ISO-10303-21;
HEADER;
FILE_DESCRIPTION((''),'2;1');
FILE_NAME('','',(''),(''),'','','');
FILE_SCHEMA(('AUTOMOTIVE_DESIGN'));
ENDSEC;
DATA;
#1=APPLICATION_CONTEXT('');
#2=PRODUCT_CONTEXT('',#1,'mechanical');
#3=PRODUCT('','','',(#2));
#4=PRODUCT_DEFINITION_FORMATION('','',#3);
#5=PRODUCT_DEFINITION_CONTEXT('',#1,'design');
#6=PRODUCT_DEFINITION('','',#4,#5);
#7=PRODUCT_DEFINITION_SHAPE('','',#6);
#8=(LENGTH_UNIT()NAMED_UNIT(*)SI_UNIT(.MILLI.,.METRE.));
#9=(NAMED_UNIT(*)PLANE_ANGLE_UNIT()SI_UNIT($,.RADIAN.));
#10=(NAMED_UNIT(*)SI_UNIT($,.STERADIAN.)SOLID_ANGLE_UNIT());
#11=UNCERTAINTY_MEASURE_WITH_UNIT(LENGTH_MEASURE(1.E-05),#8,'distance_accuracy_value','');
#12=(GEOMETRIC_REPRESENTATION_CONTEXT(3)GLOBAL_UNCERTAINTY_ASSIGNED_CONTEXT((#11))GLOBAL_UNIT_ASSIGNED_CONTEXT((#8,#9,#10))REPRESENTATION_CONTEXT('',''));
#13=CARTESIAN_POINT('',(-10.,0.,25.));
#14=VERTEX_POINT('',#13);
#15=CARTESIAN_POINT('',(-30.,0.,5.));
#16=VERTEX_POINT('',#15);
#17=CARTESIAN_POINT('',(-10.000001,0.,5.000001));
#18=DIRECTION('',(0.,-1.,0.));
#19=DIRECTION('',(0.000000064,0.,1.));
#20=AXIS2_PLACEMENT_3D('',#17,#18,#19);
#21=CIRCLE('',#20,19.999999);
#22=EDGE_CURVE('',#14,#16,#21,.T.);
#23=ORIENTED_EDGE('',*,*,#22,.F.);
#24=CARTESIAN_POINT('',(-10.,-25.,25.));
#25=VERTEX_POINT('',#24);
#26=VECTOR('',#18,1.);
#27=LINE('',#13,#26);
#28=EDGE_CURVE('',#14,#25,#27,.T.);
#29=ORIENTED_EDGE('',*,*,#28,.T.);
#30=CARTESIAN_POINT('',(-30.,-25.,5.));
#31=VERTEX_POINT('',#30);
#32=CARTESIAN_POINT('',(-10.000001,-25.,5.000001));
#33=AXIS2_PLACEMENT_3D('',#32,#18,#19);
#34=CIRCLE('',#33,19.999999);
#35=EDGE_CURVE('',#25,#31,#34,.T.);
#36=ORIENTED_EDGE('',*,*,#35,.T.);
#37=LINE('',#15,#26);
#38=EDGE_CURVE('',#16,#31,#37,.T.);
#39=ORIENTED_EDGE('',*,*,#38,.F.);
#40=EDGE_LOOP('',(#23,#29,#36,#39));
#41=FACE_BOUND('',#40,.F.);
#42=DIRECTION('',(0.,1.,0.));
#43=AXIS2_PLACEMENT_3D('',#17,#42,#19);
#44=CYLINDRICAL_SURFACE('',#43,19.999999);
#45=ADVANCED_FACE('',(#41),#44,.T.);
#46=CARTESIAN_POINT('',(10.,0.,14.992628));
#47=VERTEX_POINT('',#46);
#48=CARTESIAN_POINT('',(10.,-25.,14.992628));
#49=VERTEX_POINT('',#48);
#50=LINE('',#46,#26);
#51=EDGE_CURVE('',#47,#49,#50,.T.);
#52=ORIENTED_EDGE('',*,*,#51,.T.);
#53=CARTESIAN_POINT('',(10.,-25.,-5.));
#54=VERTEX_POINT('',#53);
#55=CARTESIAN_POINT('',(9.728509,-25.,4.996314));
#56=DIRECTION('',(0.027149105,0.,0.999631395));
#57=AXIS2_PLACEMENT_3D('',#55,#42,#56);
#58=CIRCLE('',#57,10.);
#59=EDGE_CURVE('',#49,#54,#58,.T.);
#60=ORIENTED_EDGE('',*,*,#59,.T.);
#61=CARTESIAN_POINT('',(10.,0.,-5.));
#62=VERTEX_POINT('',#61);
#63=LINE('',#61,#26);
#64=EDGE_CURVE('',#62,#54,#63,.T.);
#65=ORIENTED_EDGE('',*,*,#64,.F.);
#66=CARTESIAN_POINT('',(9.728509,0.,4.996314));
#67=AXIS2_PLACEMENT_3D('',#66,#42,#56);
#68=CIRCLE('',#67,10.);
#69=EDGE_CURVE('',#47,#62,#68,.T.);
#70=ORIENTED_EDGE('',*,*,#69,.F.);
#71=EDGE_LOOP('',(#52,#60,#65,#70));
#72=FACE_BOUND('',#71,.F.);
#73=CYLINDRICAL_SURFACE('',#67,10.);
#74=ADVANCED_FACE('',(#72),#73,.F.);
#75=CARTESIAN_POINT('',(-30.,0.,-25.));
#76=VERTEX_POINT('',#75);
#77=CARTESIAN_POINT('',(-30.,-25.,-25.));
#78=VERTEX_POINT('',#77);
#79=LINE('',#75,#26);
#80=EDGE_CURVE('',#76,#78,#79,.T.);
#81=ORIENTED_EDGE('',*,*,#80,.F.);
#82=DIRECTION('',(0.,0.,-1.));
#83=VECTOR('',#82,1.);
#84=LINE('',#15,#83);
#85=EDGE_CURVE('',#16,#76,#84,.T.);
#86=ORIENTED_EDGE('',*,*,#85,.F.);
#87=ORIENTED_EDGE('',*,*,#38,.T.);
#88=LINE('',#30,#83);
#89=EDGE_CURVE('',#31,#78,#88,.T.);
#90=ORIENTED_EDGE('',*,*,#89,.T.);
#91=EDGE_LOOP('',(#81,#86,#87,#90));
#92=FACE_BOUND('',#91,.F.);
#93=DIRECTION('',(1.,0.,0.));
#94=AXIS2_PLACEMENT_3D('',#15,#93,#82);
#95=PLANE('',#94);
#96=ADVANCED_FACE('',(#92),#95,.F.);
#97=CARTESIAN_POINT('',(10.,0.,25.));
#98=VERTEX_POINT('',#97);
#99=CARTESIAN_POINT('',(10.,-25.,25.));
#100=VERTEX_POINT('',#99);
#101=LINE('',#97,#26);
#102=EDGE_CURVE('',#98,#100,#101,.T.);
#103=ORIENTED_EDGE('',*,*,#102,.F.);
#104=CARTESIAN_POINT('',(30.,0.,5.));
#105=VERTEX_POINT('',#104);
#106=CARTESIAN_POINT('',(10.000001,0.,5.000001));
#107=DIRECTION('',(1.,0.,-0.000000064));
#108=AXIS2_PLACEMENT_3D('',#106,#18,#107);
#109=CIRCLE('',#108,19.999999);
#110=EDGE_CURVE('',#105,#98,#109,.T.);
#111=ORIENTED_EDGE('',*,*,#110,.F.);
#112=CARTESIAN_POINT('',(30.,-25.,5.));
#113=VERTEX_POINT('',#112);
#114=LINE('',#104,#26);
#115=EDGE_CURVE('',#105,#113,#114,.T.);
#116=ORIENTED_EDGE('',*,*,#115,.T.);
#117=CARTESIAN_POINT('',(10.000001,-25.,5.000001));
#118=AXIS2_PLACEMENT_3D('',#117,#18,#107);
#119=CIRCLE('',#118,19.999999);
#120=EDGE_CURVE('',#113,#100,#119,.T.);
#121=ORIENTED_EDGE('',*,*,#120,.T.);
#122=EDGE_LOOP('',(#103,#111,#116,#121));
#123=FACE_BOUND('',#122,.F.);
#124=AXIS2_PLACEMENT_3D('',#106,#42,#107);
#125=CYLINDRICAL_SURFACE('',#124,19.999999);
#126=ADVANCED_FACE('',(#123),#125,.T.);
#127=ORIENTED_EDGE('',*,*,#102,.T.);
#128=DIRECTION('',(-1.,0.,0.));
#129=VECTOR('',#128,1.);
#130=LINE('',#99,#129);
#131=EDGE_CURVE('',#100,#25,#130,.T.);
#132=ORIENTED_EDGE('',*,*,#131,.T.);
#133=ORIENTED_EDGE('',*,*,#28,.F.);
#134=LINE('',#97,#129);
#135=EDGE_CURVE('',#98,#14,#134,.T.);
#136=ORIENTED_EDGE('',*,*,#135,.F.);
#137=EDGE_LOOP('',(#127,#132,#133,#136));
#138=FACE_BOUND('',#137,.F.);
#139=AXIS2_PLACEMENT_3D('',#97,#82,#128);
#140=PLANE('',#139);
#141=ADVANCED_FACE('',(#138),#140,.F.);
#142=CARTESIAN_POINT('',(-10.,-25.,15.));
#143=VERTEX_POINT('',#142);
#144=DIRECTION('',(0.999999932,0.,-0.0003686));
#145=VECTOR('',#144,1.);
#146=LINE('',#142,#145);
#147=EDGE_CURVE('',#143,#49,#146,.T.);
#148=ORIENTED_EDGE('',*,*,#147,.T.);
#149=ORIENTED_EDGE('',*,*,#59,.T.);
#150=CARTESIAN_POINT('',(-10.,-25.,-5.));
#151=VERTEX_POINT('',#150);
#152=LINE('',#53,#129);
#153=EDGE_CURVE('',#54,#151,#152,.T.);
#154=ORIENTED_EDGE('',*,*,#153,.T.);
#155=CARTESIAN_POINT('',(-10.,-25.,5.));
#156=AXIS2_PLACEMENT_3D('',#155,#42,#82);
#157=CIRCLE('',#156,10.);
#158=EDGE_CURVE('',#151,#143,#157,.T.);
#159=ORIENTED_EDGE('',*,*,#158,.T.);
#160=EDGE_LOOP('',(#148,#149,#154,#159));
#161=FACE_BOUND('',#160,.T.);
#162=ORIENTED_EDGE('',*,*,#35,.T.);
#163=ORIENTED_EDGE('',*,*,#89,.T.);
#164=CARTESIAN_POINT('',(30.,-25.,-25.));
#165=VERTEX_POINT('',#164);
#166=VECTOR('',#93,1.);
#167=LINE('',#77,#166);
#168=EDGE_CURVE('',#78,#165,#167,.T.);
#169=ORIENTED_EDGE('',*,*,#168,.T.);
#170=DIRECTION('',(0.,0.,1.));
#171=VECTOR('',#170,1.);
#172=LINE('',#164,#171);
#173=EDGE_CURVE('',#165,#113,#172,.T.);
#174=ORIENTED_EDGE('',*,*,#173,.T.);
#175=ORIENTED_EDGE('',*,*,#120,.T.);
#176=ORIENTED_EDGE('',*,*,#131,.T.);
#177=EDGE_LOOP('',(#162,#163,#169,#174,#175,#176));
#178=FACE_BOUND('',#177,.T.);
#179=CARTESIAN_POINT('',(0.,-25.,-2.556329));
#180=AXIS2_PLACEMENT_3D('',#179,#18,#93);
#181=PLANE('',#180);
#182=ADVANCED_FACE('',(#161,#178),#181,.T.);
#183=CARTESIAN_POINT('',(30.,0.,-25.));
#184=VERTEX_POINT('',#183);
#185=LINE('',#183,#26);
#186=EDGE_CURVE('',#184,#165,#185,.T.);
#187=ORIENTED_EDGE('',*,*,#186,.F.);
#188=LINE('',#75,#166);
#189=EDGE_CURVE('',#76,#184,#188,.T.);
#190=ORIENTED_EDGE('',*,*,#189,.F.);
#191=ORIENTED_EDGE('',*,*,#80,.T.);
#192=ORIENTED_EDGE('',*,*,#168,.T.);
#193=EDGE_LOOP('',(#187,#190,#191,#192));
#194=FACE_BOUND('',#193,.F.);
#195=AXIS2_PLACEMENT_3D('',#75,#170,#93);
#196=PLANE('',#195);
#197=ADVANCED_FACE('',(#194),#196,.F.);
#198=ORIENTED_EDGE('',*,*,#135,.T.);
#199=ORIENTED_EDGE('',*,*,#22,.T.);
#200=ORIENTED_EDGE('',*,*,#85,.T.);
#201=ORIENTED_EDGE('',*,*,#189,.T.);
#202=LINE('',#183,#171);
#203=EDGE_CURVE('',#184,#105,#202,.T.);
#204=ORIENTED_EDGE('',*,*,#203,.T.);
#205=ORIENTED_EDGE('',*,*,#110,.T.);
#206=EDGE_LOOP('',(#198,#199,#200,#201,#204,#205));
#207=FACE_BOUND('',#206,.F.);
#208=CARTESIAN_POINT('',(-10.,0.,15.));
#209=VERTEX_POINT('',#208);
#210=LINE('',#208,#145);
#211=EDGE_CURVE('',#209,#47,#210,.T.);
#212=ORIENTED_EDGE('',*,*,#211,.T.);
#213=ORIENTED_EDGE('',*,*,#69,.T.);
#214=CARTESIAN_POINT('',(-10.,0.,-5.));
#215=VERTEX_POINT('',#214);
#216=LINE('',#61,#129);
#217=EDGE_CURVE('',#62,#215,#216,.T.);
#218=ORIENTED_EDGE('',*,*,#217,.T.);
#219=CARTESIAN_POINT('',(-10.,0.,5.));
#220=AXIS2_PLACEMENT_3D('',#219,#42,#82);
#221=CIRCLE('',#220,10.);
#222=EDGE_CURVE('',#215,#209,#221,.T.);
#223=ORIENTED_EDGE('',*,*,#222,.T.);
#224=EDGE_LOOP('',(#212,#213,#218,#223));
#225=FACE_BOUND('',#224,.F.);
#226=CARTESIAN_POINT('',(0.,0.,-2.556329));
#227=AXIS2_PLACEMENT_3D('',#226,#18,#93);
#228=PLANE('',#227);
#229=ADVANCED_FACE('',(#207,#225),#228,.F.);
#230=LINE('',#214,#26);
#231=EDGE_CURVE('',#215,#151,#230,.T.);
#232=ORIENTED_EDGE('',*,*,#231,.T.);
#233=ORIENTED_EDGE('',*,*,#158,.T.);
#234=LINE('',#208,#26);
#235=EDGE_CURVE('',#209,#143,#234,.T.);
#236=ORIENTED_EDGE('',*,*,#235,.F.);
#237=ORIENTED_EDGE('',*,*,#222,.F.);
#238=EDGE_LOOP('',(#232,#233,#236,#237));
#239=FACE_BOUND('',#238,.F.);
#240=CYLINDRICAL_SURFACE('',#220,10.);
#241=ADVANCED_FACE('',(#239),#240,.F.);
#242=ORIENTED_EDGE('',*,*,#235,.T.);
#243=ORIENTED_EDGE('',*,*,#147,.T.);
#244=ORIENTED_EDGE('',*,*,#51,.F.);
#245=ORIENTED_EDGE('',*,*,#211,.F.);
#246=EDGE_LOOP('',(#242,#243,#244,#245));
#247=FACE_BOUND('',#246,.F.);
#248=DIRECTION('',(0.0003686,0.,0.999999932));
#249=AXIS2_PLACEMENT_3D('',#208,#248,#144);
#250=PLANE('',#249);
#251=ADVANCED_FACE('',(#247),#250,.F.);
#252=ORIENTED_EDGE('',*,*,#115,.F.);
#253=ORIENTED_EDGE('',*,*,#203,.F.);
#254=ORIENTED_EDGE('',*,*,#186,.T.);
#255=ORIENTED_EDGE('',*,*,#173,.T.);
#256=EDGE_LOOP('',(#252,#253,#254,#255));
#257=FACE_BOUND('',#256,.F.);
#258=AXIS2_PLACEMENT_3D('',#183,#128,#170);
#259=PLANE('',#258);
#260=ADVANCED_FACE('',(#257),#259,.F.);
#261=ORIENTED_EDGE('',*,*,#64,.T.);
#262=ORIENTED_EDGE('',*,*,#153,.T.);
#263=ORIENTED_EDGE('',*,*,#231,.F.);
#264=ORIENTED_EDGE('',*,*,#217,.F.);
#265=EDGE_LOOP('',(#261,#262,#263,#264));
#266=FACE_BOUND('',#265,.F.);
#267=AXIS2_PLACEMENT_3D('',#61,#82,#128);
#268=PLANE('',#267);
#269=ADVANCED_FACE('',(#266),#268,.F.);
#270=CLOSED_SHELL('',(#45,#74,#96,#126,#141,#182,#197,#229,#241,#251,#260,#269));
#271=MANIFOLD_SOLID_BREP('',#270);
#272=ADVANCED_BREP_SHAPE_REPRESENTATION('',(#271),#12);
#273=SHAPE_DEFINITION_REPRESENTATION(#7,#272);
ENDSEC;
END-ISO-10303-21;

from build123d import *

# Parameters (mm, degrees)
F1_DEPTH = 25


with BuildPart() as f1:
    # F0 (on Front) → F1 (new body)
    with BuildSketch(Plane.XZ):
        with BuildLine():
            Line((10, 25), (-10, 25))
            ThreePointArc((-10, 25), (-24.142136, 19.142136), (-30, 5))
            Line((-30, 5), (-30, -25))
            Line((-30, -25), (30, -25))
            Line((30, -25), (30, 5))
            ThreePointArc((30, 5), (24.142136, 19.142136), (10, 25))
        make_face()
        with BuildLine():
            ThreePointArc((-10, -5), (-20, 5), (-10, 15))
            Line((-10, 15), (10, 14.992628))
            ThreePointArc((10, 14.992628), (19.728509, 4.996314), (10, -5))
            Line((10, -5), (-10, -5))
        make_face(mode=Mode.SUBTRACT)
    extrude(amount=F1_DEPTH)


solid = f1.part
